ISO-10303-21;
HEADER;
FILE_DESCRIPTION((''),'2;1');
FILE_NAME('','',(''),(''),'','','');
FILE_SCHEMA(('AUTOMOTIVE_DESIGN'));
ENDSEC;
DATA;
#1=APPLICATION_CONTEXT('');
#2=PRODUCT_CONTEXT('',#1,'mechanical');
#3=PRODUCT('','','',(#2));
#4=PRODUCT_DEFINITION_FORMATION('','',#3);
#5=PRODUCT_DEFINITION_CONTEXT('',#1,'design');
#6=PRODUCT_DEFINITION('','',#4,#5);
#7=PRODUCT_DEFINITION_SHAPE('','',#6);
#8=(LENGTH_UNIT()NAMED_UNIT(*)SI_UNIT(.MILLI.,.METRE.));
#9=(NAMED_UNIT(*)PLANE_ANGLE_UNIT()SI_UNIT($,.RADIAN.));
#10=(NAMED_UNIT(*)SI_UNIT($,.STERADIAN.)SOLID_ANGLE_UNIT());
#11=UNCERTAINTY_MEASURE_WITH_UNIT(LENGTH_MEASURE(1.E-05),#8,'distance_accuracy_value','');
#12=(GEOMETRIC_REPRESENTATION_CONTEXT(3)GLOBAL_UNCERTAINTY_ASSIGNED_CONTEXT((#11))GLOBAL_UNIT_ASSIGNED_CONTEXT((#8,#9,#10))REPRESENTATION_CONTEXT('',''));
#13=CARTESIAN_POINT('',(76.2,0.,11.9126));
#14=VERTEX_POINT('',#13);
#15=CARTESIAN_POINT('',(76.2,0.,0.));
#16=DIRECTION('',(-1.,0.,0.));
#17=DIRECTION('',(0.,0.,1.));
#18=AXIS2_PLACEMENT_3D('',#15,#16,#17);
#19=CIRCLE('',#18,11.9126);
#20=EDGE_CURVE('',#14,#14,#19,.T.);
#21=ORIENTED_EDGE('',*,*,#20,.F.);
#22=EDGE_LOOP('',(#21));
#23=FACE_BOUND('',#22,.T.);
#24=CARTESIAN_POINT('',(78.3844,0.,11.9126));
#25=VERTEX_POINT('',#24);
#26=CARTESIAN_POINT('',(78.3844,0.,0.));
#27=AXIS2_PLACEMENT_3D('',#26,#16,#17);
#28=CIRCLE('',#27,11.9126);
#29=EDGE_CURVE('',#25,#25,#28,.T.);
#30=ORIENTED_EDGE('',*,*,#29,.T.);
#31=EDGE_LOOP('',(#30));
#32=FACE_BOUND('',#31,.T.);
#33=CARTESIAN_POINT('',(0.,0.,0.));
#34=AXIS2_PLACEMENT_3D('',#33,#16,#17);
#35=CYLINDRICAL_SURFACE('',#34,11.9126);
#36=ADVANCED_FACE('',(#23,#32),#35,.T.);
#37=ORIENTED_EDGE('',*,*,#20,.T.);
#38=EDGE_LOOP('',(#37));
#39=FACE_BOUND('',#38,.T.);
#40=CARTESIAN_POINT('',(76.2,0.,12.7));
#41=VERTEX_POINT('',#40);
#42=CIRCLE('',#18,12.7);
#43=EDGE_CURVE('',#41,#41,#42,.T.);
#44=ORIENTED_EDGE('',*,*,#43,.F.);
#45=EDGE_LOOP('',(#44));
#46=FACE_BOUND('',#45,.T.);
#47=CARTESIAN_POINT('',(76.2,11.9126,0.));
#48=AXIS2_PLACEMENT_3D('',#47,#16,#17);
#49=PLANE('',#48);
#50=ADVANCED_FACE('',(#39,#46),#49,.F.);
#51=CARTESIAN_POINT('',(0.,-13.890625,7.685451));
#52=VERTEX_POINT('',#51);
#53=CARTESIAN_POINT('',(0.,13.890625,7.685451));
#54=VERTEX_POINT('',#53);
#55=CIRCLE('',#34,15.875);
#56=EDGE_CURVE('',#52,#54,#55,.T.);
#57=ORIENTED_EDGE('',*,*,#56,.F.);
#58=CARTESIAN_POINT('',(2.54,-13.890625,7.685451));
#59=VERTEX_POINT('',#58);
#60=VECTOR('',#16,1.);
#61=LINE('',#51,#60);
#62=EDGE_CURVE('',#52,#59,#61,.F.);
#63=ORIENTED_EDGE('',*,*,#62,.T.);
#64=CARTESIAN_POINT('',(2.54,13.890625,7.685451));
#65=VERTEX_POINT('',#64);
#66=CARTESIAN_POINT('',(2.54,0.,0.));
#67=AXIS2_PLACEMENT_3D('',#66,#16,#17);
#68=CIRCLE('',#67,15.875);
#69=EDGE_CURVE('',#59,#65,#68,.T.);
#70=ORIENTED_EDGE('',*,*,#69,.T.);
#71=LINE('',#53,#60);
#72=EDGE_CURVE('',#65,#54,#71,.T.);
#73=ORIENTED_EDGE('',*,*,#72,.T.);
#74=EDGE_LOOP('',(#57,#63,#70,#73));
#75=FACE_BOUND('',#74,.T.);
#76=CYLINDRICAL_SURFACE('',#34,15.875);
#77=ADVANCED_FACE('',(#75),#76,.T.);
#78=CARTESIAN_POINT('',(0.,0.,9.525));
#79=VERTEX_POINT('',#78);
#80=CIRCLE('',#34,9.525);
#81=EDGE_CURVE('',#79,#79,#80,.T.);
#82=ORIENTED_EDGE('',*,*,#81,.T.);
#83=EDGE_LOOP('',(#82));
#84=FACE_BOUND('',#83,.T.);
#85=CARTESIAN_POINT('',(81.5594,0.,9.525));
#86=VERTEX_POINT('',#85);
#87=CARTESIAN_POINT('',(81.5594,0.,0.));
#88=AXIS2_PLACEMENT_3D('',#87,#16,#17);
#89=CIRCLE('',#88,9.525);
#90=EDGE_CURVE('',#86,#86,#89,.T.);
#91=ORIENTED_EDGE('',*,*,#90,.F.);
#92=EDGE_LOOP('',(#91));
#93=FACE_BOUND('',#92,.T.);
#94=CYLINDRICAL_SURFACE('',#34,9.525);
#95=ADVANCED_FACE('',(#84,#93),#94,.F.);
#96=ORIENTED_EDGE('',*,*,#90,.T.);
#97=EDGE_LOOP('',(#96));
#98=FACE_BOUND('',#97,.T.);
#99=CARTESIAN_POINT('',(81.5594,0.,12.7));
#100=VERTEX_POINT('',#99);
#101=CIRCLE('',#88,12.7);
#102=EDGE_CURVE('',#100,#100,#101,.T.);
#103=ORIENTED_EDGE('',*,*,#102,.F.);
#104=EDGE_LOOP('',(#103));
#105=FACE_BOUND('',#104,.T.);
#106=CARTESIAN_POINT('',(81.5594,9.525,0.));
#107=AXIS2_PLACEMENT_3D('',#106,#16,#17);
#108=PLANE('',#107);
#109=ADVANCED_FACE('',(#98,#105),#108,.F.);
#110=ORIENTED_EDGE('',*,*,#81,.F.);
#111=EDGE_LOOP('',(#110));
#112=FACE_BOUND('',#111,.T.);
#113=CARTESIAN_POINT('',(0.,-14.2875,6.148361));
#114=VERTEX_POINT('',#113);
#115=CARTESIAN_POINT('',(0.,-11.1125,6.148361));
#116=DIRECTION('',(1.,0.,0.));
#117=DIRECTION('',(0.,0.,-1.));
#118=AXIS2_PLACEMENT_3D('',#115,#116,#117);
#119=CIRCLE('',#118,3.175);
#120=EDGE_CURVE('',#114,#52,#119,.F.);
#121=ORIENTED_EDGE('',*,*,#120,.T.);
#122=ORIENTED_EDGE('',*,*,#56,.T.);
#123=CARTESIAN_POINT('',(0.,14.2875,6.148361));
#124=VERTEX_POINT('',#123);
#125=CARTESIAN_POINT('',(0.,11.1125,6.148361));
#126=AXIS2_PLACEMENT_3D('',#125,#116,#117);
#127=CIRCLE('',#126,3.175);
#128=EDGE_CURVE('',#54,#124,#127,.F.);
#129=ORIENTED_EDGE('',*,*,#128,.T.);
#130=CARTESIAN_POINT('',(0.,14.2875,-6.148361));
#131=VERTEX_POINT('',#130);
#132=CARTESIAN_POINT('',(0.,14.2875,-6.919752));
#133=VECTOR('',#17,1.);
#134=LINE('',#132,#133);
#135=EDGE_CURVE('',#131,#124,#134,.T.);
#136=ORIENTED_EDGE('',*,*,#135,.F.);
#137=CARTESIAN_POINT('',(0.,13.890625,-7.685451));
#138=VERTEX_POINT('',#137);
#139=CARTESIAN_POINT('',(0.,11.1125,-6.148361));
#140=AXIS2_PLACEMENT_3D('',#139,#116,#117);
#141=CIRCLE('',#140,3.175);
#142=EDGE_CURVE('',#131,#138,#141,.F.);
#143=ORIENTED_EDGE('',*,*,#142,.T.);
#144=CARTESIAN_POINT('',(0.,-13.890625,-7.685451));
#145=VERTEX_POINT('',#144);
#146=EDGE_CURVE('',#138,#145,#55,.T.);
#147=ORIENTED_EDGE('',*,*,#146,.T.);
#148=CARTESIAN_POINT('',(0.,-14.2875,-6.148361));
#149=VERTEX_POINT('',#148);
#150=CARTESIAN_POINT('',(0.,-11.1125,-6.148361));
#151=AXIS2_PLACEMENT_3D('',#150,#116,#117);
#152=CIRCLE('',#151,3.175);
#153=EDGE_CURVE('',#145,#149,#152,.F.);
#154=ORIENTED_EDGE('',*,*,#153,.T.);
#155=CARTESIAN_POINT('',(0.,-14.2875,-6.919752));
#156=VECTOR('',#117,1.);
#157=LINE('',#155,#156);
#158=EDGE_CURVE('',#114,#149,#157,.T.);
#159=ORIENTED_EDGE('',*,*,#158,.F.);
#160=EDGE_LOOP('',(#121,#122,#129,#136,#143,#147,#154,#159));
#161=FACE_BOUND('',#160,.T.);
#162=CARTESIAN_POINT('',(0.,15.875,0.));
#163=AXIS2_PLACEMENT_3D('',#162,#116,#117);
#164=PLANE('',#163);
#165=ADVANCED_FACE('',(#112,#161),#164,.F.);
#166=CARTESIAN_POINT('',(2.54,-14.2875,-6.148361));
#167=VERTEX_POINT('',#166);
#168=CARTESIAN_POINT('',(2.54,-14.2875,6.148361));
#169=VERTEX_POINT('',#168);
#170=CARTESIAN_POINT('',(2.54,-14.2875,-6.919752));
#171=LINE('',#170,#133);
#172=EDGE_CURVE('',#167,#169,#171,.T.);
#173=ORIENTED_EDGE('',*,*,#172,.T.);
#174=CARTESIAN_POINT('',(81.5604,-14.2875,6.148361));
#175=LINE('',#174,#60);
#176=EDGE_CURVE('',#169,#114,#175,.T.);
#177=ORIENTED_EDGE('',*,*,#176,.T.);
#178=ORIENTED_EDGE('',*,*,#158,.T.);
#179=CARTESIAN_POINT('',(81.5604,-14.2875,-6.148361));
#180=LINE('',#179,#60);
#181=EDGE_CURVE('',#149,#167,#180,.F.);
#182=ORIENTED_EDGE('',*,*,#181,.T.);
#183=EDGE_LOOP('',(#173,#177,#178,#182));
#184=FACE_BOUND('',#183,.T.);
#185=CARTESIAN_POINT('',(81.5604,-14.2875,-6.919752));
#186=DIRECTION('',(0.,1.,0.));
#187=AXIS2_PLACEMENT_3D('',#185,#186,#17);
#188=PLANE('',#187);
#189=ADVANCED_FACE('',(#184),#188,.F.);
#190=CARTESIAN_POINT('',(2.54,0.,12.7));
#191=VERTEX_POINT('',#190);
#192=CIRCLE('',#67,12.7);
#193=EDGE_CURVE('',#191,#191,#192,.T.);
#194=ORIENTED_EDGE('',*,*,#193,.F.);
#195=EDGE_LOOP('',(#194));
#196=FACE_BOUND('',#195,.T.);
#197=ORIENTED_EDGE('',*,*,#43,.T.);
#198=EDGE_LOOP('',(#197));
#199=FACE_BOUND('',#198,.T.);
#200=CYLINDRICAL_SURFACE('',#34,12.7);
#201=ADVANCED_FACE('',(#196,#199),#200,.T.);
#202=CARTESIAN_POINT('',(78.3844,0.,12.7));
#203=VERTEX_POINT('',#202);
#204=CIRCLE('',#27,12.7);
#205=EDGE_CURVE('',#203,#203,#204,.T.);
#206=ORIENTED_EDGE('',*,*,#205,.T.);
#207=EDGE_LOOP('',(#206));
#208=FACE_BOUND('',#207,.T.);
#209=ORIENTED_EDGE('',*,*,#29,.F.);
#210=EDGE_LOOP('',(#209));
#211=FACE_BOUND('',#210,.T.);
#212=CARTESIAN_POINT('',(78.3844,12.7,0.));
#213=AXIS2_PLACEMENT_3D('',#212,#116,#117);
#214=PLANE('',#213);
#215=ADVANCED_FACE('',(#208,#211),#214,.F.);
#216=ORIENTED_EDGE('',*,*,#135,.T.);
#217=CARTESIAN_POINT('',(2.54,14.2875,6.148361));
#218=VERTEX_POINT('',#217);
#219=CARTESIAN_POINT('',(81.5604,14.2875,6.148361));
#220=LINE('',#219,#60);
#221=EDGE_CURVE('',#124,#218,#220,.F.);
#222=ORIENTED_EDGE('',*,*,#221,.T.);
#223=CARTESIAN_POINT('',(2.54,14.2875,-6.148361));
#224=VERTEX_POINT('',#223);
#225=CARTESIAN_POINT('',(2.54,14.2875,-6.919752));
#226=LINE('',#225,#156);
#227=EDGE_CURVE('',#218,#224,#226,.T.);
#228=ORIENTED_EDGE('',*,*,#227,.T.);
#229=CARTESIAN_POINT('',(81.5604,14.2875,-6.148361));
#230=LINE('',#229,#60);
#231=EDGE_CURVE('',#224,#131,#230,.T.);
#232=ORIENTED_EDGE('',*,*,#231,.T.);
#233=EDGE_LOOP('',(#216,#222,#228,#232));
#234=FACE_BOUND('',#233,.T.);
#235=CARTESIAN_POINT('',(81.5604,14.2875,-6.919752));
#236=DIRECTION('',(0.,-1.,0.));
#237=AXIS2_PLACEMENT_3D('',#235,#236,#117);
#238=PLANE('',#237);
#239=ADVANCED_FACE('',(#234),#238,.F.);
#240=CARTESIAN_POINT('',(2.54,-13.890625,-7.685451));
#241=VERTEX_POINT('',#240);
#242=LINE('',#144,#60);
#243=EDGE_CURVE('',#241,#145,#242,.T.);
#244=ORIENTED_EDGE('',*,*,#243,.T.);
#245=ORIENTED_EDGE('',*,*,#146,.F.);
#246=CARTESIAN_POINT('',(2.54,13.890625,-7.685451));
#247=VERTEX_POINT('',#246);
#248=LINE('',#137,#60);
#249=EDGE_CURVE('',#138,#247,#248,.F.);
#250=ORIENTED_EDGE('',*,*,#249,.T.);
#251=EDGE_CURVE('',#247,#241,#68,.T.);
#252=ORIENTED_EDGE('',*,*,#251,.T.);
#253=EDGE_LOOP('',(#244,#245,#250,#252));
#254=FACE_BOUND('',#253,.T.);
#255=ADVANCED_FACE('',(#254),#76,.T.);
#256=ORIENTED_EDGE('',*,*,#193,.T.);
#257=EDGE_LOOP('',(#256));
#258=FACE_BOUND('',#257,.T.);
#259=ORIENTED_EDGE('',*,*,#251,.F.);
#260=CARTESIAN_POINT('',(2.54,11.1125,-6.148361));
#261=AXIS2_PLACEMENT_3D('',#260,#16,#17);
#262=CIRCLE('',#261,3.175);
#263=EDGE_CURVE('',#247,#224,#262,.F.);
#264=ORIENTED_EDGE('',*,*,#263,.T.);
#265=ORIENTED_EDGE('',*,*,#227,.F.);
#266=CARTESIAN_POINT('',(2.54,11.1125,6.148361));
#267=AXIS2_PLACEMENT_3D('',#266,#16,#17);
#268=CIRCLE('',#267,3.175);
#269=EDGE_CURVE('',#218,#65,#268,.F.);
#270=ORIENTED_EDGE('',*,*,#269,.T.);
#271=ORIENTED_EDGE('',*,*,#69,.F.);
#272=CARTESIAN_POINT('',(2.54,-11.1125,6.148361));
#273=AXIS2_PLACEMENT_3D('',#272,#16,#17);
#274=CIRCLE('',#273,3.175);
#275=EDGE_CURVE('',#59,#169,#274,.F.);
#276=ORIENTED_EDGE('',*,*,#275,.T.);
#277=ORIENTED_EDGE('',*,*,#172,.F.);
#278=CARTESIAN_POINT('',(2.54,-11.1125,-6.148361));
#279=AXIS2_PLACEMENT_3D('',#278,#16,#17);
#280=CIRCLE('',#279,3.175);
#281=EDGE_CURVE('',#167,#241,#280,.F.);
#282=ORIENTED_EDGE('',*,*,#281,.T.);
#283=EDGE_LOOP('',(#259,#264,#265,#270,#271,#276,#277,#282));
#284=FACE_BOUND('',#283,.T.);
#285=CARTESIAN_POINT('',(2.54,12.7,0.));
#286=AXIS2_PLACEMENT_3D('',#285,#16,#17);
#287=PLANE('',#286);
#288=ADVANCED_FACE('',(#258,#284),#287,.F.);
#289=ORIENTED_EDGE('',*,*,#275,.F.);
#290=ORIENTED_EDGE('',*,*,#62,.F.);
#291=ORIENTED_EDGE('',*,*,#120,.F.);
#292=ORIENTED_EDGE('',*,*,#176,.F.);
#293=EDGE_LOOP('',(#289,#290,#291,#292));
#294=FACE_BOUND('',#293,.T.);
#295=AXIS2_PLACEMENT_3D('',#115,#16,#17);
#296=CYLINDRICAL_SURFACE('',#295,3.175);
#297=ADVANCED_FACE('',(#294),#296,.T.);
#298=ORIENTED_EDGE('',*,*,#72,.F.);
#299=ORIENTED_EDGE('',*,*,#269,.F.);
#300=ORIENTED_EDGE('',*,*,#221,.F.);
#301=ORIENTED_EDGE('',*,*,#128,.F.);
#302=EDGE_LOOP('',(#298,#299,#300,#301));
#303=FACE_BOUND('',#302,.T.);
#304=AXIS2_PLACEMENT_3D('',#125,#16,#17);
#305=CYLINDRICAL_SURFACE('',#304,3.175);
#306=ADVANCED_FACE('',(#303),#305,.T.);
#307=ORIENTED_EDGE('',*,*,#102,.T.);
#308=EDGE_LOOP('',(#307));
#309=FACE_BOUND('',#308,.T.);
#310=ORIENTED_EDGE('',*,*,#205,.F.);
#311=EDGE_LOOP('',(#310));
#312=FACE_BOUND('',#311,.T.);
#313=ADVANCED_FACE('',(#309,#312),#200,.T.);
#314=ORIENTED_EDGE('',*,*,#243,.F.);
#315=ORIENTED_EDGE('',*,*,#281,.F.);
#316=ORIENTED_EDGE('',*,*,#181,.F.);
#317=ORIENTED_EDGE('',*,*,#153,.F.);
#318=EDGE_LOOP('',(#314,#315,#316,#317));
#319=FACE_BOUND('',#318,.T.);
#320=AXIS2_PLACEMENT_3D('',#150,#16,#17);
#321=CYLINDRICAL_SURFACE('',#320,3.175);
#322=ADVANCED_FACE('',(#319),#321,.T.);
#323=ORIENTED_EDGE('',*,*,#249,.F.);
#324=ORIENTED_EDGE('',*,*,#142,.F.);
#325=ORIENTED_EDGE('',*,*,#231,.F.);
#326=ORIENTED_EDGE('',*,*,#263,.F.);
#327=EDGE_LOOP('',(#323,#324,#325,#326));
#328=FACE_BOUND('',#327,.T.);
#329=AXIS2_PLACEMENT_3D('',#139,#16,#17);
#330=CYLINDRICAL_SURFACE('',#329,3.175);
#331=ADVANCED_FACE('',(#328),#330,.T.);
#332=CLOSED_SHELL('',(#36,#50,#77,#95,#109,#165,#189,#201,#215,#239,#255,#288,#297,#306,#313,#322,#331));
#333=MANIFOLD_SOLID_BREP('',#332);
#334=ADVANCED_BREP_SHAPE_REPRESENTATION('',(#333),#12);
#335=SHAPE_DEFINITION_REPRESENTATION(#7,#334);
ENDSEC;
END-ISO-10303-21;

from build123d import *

# Parameters (mm, degrees)
CUT_EXTRUDE1_REACH = 86.593
SKETCH2_W          = 13.839504146
SKETCH2_H          = 1.5875
FILLET1_R          = 3.175


with BuildPart() as part:
    # Sketch1 → Revolve1 (revolve)
    with BuildSketch(Plane.XY, mode=Mode.PRIVATE) as revolve1_sk:
        Polygon((0, 9.525), (81.5594, 9.525), (81.5594, 12.7), (78.3844, 12.7), (78.3844, 11.9126), (76.2, 11.9126), (76.2, 12.7), (2.54, 12.7), (2.54, 15.875), (0, 15.875), align=None)
    revolve(revolve1_sk.sketch.rotate(Axis((0, 0, 0), (1, 0, 0)), 90), axis=Axis((0, 0, 0), (1, 0, 0)))

    # Sketch2 → Cut-Extrude1 (cut, up to next)
    with BuildSketch(Plane.ZY, mode=Mode.PRIVATE) as cut_extrude1_sk1:
        with Locations((0, 15.08125)):
            Rectangle(SKETCH2_W, SKETCH2_H)
    cut_extrude1_tool1 = extrude(cut_extrude1_sk1.sketch, amount=-CUT_EXTRUDE1_REACH, mode=Mode.PRIVATE) & part.part
    # Sketch2 → Cut-Extrude1 (cut, up to next)
    with BuildSketch(Plane.ZY, mode=Mode.PRIVATE) as cut_extrude1_sk2:
        with Locations((0, -15.08125)):
            Rectangle(SKETCH2_W, SKETCH2_H)
    cut_extrude1_tool2 = extrude(cut_extrude1_sk2.sketch, amount=-CUT_EXTRUDE1_REACH, mode=Mode.PRIVATE) & part.part
    add(cut_extrude1_tool1.solids().sort_by_distance((0, 15.08125, 0))[0], mode=Mode.SUBTRACT)
    add(cut_extrude1_tool2.solids().sort_by_distance((0, -15.08125, 0))[0], mode=Mode.SUBTRACT)

    # Fillet1
    fillet1_edges = [part.edges().sort_by_distance(p)[0] for p in [
        (1.27, 14.2875, -6.919752073),
        (1.27, 14.2875, 6.919752073),
        (1.27, -14.2875, -6.919752073),
        (1.27, -14.2875, 6.919752073),
    ]]
    fillet(fillet1_edges, radius=FILLET1_R)


solid = part.part
